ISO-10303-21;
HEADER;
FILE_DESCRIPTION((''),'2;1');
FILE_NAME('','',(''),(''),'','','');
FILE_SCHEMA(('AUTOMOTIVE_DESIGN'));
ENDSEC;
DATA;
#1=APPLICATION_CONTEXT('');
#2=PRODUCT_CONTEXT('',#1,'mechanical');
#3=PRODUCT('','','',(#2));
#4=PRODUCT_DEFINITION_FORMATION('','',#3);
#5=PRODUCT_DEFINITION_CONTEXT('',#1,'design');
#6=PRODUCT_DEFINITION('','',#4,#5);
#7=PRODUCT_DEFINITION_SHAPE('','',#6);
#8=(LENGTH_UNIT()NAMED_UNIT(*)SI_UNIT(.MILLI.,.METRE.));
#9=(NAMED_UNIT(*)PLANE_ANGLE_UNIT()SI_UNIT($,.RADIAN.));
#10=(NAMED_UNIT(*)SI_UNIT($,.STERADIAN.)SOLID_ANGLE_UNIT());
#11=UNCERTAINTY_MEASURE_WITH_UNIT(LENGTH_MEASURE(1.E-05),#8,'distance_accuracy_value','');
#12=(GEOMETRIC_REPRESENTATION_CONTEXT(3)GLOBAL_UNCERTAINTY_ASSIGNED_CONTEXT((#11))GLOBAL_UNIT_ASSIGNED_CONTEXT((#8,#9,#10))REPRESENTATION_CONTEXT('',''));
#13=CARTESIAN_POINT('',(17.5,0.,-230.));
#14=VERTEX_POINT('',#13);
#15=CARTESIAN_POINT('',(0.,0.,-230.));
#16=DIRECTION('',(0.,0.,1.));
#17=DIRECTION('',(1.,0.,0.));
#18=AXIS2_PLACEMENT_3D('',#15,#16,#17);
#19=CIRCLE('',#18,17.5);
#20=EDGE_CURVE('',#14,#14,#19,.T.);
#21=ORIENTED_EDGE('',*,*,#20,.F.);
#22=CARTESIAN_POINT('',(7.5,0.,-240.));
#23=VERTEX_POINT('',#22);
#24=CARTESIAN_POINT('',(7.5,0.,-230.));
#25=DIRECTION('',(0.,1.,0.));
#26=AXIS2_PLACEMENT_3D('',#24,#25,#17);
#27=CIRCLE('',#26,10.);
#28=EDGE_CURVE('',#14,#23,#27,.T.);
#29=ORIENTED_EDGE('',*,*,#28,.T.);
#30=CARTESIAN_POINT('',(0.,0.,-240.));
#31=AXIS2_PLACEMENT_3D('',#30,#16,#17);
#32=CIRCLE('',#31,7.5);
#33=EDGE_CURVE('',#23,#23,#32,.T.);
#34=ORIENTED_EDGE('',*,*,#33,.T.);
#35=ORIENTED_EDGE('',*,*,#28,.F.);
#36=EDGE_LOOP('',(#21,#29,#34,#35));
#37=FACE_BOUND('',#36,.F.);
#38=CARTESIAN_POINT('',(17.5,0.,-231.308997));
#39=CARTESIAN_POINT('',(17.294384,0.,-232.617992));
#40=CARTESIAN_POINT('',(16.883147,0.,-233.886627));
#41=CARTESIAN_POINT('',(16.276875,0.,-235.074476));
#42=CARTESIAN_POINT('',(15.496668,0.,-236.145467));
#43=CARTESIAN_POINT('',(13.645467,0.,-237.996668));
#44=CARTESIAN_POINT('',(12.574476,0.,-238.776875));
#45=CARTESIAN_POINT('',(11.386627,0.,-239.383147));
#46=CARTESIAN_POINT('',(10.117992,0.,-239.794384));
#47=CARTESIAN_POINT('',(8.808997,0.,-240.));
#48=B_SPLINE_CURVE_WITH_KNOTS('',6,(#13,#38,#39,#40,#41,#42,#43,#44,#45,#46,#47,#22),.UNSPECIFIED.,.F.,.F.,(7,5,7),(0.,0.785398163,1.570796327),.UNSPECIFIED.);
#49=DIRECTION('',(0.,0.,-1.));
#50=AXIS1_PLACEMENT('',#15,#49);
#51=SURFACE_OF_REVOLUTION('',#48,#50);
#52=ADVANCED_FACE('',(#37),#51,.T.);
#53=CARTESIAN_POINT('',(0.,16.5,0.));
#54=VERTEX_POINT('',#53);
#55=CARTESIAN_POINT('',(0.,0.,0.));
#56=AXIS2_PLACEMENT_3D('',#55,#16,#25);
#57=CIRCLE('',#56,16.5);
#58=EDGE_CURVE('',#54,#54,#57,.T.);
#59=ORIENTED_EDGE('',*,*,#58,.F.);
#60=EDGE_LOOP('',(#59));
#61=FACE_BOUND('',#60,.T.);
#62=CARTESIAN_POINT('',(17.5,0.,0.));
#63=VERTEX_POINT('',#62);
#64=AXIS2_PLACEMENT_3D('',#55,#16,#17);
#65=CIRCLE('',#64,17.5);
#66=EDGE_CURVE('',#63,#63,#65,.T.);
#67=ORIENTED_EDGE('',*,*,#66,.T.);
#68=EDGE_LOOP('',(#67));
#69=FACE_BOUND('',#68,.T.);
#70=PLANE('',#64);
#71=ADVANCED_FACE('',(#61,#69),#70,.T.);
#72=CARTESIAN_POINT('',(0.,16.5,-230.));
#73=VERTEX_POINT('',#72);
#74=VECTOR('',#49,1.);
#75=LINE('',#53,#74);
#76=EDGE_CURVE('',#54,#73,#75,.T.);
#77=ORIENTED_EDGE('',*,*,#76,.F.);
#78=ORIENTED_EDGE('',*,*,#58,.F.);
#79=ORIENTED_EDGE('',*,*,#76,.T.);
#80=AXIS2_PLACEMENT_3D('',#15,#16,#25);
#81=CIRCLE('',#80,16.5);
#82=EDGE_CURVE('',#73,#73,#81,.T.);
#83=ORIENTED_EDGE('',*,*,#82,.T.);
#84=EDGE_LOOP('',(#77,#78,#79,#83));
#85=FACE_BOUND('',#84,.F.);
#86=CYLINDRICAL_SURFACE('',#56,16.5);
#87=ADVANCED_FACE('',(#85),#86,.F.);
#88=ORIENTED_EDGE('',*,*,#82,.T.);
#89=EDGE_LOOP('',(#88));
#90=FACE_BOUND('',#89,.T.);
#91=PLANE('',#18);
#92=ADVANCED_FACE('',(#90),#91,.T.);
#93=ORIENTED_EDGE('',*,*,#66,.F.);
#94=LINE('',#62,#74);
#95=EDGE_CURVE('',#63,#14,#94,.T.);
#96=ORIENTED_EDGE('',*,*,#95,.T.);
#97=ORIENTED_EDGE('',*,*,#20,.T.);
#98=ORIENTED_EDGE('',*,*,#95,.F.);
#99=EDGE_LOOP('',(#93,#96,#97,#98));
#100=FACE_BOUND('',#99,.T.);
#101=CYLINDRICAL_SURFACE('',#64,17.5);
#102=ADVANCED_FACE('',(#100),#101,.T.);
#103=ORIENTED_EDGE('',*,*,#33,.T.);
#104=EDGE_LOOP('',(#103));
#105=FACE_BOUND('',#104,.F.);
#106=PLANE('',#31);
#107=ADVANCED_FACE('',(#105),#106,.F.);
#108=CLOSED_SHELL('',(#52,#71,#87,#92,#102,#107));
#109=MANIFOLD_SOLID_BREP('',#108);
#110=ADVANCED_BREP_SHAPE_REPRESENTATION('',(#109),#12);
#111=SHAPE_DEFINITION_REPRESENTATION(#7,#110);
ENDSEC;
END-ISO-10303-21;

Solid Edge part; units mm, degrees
sketch "Sketch1" plane through (0, 0, 0) normal (0, 0, 1) x (1, 0, 0)
  circle A0 centre (0, 0) radius 17.5
extrude "Protrusion1" add sketch "Sketch1" against normal blind 240
fillet "Redondeo_3" radius 10 1 edges at (-17.5, 0, -240)
sketch "Sketch2" plane through (0, 0, 0) normal (0, 0, 1) x (0, 1, 0)
  circle A0 centre (0, 0) radius 16.5
extrude "VaciadoExtruido_2" cut sketch "Sketch2" against normal blind 230
properties material "Cristal, industrial"
